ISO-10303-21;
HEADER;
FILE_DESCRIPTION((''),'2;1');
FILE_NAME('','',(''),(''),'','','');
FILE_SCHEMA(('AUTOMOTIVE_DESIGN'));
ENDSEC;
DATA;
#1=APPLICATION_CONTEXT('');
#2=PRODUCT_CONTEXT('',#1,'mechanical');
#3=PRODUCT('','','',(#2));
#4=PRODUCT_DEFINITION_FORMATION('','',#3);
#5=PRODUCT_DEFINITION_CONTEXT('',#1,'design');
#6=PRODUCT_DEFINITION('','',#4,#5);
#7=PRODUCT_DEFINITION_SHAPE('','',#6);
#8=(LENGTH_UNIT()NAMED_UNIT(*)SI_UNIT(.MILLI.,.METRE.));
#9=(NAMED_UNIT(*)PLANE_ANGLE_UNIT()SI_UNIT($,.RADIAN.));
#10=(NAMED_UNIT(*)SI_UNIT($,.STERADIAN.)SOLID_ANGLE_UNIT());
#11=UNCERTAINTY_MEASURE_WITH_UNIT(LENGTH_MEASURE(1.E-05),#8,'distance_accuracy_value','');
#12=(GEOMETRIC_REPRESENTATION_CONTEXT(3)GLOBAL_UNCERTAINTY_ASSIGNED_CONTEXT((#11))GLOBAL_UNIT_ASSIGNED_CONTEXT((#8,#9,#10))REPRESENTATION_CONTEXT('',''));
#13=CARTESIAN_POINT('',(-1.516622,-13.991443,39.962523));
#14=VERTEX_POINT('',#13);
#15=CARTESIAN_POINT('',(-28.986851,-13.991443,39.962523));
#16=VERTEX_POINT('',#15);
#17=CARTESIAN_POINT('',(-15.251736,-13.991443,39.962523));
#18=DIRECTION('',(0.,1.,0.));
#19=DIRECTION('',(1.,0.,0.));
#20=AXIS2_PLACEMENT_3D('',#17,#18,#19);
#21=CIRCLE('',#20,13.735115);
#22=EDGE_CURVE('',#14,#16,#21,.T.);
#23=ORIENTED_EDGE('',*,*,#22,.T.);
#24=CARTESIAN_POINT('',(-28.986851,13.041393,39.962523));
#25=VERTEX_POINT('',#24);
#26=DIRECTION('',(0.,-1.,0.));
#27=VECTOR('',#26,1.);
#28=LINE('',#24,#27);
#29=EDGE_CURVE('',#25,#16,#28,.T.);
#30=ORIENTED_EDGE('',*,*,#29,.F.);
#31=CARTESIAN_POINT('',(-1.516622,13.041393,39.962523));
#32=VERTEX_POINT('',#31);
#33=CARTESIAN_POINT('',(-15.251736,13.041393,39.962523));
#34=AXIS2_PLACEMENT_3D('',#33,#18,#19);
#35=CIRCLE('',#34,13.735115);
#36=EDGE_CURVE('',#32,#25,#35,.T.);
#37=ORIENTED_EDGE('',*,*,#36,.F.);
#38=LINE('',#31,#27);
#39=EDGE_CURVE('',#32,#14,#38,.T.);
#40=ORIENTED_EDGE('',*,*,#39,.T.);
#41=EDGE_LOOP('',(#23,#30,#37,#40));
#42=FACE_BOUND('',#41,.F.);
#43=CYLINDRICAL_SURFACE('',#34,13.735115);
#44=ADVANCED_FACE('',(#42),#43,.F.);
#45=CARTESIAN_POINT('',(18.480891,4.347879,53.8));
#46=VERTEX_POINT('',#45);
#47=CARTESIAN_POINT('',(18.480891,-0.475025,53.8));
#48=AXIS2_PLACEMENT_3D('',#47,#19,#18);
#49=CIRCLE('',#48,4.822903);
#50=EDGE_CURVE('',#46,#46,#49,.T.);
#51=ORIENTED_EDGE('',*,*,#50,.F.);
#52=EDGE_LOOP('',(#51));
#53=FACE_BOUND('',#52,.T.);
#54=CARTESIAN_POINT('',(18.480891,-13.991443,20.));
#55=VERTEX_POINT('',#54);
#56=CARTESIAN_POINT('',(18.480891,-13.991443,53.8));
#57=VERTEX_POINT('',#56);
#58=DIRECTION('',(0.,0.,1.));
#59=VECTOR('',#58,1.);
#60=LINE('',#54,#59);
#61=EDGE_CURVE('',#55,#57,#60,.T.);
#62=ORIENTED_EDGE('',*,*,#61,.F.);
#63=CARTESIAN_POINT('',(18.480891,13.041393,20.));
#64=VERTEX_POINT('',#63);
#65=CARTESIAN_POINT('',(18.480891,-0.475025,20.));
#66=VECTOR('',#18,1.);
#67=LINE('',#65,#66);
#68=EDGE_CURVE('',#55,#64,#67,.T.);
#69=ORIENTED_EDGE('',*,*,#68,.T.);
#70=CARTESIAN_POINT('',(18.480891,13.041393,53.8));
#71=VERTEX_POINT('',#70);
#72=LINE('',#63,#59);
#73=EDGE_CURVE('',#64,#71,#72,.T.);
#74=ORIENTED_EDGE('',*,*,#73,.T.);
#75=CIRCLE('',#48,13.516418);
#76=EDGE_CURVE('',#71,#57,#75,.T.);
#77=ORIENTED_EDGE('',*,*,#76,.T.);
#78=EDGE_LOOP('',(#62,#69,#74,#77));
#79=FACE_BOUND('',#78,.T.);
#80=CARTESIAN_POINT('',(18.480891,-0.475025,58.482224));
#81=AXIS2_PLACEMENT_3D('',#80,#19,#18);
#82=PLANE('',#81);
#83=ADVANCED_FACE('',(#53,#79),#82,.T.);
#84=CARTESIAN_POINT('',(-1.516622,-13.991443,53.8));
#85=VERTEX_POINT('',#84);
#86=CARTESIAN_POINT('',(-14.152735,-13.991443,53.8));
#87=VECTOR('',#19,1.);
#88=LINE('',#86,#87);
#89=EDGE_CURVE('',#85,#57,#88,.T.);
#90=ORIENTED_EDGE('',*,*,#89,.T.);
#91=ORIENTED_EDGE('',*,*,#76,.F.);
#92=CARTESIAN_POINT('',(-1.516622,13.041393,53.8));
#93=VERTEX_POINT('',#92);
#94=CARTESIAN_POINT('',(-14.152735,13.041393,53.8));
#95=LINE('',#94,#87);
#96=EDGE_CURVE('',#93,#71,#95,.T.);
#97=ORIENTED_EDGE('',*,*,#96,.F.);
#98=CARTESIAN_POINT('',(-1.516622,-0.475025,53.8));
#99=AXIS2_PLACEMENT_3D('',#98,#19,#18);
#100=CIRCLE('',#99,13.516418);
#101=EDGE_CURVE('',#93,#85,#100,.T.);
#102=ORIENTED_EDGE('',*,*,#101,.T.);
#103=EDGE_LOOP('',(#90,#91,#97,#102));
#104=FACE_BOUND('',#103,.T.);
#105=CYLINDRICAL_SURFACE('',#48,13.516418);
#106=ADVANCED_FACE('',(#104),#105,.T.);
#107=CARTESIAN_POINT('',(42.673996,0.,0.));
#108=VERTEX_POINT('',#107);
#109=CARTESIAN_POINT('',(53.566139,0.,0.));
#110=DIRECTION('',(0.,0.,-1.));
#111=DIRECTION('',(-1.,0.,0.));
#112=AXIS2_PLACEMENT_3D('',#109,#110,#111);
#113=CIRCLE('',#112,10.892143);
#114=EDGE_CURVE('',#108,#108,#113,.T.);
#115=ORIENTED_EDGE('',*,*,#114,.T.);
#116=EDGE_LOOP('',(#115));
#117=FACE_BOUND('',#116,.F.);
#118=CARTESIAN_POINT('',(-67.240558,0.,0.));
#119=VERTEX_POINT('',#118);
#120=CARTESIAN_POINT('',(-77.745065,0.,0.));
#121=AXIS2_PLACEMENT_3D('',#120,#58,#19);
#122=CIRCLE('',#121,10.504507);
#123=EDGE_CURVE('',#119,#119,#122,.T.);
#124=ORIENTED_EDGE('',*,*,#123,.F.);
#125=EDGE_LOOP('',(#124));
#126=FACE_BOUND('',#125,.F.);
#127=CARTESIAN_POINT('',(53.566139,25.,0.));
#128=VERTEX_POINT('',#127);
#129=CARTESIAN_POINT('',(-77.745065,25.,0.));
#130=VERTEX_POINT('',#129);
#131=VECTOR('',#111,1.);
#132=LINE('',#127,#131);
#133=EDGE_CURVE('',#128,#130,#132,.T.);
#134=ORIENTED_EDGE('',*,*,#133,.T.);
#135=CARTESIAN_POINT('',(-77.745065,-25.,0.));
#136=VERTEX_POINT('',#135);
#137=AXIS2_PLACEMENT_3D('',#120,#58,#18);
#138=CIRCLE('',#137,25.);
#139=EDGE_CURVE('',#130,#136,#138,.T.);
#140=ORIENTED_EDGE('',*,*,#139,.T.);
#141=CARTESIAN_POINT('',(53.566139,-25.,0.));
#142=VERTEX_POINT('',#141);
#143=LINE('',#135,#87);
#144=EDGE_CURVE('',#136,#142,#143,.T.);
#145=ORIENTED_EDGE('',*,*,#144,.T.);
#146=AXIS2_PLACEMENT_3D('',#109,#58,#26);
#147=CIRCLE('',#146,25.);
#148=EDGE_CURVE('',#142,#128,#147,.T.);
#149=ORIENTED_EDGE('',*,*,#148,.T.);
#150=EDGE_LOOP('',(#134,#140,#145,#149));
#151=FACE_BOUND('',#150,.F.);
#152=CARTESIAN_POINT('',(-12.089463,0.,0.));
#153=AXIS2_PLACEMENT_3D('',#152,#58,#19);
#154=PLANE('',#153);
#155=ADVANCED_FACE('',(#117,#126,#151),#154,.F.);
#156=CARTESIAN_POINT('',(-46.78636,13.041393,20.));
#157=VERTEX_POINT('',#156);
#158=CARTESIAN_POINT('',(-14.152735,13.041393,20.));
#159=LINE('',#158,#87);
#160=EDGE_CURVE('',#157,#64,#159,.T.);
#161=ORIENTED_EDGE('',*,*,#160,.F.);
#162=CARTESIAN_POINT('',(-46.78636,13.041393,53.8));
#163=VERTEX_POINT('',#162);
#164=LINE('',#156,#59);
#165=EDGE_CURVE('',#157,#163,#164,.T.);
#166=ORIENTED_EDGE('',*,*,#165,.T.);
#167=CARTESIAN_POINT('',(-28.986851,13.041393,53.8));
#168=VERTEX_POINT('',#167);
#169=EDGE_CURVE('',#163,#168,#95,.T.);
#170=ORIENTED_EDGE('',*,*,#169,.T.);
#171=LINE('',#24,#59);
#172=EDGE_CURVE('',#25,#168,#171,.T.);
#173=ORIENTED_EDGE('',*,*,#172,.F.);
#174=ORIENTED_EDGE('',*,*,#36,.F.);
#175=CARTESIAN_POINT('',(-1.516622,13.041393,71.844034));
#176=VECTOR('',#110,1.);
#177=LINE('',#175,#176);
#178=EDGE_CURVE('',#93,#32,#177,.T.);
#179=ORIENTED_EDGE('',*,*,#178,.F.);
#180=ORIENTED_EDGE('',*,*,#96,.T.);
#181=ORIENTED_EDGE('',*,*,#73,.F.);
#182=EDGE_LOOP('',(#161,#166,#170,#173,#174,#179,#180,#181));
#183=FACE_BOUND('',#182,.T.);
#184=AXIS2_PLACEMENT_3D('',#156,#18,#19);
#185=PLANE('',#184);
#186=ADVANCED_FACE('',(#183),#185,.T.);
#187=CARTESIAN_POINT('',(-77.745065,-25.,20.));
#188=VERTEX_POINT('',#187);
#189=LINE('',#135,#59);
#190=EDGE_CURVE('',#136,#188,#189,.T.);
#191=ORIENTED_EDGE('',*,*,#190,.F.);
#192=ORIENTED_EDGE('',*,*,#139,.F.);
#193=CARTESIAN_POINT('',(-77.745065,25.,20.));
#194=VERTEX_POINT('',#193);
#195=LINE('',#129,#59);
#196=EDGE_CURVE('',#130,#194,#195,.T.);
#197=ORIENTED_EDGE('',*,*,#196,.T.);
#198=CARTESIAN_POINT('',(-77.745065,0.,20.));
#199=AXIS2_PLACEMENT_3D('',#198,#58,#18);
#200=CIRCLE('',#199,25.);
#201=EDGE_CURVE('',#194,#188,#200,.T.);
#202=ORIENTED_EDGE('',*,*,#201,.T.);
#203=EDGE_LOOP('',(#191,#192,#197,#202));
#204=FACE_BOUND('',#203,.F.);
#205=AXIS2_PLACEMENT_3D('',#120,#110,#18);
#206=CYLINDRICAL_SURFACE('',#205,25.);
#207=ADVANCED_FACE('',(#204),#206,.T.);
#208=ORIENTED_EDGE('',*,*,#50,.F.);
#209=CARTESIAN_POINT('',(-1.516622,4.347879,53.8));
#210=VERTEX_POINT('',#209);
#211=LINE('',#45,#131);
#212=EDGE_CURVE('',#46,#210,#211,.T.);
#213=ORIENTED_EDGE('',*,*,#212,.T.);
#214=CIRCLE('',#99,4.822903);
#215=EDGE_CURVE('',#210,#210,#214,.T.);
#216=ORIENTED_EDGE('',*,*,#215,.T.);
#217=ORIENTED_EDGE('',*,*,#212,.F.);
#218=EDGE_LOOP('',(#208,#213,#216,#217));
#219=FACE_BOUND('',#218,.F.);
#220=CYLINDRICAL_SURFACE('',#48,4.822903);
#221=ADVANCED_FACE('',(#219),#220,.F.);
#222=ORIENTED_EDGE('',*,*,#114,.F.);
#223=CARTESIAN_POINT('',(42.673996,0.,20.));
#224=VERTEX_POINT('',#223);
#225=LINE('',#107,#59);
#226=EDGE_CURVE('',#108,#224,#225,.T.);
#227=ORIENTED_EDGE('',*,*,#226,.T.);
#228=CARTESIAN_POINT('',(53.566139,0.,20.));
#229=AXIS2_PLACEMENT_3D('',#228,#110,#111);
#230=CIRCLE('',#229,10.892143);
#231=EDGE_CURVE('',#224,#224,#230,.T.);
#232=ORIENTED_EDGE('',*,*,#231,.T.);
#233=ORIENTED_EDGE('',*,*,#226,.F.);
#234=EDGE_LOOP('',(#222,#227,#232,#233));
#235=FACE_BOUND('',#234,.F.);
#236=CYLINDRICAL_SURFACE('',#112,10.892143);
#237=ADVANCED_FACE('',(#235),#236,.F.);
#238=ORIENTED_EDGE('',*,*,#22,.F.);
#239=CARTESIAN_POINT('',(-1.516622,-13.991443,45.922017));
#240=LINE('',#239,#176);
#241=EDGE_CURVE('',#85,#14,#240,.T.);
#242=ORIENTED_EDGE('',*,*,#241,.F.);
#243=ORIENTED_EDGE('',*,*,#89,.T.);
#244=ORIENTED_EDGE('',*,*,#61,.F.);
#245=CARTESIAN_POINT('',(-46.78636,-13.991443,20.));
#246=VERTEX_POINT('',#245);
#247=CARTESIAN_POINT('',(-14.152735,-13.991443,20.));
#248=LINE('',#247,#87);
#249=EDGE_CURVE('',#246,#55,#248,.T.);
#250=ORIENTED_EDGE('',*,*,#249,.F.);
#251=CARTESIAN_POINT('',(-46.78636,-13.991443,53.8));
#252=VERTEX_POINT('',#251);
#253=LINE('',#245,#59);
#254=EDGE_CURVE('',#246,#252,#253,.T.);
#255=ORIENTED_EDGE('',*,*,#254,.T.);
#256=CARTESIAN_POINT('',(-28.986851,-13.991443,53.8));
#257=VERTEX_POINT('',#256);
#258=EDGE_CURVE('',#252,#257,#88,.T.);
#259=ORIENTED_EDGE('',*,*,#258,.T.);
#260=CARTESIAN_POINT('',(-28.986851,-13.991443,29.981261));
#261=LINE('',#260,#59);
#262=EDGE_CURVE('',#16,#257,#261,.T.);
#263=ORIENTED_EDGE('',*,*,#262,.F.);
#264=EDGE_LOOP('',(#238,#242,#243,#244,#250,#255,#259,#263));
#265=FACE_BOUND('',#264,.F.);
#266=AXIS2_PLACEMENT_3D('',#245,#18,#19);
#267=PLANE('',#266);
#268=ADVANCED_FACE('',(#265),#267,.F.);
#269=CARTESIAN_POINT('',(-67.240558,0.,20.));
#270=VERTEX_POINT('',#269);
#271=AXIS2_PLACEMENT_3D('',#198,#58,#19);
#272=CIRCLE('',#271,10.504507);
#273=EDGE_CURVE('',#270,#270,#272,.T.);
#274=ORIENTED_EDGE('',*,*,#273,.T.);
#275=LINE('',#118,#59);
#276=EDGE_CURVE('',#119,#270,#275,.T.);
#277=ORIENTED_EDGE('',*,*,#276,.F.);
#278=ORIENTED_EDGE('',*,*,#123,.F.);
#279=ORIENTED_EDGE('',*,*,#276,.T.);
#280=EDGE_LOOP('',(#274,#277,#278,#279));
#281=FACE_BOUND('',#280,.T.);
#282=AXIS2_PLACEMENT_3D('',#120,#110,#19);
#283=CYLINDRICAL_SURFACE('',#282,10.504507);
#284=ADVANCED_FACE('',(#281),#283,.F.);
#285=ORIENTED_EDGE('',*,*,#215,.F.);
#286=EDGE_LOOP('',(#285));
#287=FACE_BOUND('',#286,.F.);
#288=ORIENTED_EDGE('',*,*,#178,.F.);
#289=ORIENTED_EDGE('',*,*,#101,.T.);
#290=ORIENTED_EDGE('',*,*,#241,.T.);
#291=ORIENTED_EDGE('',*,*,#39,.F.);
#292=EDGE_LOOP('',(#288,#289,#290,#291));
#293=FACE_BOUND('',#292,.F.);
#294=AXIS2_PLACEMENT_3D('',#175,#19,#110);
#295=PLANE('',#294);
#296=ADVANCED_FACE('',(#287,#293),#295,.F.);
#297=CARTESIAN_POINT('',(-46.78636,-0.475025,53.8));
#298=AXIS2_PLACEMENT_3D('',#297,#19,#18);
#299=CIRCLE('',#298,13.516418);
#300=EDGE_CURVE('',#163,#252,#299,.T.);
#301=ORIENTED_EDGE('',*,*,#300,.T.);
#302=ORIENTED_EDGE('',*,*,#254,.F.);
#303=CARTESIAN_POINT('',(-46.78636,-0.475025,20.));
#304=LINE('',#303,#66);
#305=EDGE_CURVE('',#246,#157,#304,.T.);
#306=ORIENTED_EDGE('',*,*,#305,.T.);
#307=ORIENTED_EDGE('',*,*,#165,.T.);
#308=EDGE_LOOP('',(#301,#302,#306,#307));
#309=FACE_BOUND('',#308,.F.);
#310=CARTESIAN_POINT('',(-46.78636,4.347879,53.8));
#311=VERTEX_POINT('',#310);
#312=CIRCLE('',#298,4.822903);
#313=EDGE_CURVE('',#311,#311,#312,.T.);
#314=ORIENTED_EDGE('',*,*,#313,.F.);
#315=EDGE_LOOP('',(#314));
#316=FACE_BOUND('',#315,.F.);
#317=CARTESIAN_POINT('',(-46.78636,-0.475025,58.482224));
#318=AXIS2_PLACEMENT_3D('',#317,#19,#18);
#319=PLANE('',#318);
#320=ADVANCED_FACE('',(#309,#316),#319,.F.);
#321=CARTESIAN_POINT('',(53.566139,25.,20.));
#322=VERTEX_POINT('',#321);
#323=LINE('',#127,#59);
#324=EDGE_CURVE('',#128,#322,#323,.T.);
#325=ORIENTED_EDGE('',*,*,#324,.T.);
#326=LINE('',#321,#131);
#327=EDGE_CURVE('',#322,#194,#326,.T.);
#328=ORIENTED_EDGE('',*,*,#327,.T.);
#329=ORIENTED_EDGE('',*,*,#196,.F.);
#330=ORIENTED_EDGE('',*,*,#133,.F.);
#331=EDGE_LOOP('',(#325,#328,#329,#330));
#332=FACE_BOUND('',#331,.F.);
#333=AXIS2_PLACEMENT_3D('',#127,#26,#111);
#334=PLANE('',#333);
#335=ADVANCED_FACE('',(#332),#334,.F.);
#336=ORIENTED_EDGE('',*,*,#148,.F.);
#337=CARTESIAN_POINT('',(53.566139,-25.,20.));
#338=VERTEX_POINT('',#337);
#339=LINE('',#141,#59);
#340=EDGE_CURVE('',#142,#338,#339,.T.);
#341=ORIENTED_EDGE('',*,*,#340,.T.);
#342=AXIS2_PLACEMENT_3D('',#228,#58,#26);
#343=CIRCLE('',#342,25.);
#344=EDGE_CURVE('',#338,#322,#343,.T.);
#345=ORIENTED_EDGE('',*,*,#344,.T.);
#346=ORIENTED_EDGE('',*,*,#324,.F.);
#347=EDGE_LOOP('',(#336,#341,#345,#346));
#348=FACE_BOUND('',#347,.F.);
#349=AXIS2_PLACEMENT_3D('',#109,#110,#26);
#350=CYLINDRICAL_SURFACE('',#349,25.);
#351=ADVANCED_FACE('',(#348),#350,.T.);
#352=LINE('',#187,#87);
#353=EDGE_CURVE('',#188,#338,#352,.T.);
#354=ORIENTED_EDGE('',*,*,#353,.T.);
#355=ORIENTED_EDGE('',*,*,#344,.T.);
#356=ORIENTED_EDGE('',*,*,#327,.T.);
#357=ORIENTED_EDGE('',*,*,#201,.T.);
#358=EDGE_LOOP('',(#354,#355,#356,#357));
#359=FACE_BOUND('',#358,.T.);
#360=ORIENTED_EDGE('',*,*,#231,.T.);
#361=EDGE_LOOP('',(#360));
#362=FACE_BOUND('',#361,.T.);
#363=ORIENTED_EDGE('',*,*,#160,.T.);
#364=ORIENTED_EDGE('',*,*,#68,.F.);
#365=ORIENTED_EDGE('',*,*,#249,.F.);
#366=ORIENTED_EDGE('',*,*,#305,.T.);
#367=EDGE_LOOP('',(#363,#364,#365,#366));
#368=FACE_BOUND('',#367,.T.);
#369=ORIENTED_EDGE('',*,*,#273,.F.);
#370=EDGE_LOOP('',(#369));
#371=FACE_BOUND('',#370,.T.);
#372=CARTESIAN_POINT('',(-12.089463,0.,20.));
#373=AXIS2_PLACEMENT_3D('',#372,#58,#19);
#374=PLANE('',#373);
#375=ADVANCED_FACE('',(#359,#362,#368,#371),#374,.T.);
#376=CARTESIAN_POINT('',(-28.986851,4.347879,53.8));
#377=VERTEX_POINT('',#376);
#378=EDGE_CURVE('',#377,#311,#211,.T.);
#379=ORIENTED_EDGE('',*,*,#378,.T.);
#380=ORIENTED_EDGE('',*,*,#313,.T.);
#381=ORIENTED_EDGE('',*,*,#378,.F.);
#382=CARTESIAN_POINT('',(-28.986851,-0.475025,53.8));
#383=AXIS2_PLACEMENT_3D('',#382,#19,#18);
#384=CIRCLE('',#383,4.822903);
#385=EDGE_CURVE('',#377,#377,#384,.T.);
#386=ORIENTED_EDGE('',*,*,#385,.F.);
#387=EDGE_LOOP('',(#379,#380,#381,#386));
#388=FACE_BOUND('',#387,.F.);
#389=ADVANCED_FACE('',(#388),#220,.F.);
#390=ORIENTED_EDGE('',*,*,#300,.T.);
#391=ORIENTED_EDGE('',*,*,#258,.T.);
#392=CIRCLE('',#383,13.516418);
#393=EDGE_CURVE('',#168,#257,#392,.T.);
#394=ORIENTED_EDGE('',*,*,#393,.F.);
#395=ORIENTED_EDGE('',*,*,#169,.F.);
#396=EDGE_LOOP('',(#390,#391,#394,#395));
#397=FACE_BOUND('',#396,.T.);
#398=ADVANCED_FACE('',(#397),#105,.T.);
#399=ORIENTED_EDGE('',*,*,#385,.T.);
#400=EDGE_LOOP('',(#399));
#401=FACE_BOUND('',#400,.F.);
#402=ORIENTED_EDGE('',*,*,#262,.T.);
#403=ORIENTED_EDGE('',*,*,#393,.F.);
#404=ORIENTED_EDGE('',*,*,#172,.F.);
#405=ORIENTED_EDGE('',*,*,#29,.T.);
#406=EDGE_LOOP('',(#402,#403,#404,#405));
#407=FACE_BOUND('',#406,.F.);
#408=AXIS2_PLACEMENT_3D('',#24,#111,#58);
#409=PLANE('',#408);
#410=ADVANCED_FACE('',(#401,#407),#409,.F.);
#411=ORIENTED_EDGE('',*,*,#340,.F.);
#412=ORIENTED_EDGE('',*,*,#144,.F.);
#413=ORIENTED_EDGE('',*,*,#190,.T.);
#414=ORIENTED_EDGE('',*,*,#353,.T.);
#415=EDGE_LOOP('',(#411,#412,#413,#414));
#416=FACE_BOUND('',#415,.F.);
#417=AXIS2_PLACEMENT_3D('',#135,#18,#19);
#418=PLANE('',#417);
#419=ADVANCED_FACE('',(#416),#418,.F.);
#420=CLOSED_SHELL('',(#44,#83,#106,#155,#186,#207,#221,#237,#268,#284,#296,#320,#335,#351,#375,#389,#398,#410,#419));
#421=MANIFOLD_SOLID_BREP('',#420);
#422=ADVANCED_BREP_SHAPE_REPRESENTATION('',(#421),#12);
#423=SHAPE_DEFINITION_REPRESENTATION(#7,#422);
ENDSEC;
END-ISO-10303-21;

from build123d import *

# Parameters (mm, degrees)
F0_R     = 10.5045071993
F1_DEPTH = 20
F2_W     = 65.2672518045
F2_H     = 27.032835409
F3_DEPTH = 33.8
F5_DEPTH = 65.2672518045
F6_R     = 4.8229033698
F7_DEPTH = 121.2269564549
F9_DEPTH = 38.0423929


with BuildPart() as f1:
    # F0 (on Top) → F1 (new body)
    with BuildSketch(Plane.XY):
        with BuildLine():
            ThreePointArc((-77.745065093, 25), (-102.745065093, 0), (-77.745065093, -25))
            Line((-77.745065093, -25), (53.5661391914, -25))
            ThreePointArc((53.5661391914, -25), (78.5661391914, 0), (53.5661391914, 25))
            Line((53.5661391914, 25), (-77.745065093, 25))
        make_face()
        with Locations((-77.745065093, 0)):
            Circle(F0_R, mode=Mode.SUBTRACT)
        with BuildLine():
            ThreePointArc((64.4582820553, 0), (53.5661391914, -10.8921428639), (42.6739963275, 0))
            ThreePointArc((42.6739963275, 0), (53.5661391914, 10.8921428639), (64.4582820553, 0))
        make_face(mode=Mode.SUBTRACT)
    extrude(amount=F1_DEPTH)

    # F2 (on face) → F3 (join)
    with BuildSketch(Plane.XY.offset(20)):
        with Locations((-14.1527345404, -0.4750248045)):
            Rectangle(F2_W, F2_H)
    extrude(amount=F3_DEPTH)

    # F4 (on face) → F5 (join, through all)
    with BuildSketch(Plane.YZ.offset(18.4808913618)):
        with BuildLine():
            Line((-13.991442509, 53.8), (13.0413929, 53.8))
            ThreePointArc((13.0413929, 53.8), (-0.4750248045, 67.3164177045), (-13.991442509, 53.8))
        make_face()
    extrude(amount=-F5_DEPTH)

    # F6 (on face) → F7 (cut, through all)
    with BuildSketch(Plane.YZ.offset(18.4808913618)):
        with Locations((-0.4750248045, 53.8)):
            Circle(F6_R)
    extrude(amount=-F7_DEPTH, mode=Mode.SUBTRACT)

    # F8 (on face) → F9 (cut, through all)
    with BuildSketch(Plane(origin=(0, 13.0413929, 0), x_dir=(-1, 0, 0), z_dir=(0, 1, 0))):
        with BuildLine():
            Line((28.9868507534, 71.8440338969), (1.5166216763, 71.8440338969))
            Line((1.5166216763, 71.8440338969), (1.5166216763, 39.9625226855))
            ThreePointArc((1.5166216763, 39.9625226855), (15.2517362149, 26.227408147), (28.9868507534, 39.9625226855))
            Line((28.9868507534, 39.9625226855), (28.9868507534, 71.8440338969))
        make_face()
    extrude(amount=-F9_DEPTH, mode=Mode.SUBTRACT)


solid = f1.part
